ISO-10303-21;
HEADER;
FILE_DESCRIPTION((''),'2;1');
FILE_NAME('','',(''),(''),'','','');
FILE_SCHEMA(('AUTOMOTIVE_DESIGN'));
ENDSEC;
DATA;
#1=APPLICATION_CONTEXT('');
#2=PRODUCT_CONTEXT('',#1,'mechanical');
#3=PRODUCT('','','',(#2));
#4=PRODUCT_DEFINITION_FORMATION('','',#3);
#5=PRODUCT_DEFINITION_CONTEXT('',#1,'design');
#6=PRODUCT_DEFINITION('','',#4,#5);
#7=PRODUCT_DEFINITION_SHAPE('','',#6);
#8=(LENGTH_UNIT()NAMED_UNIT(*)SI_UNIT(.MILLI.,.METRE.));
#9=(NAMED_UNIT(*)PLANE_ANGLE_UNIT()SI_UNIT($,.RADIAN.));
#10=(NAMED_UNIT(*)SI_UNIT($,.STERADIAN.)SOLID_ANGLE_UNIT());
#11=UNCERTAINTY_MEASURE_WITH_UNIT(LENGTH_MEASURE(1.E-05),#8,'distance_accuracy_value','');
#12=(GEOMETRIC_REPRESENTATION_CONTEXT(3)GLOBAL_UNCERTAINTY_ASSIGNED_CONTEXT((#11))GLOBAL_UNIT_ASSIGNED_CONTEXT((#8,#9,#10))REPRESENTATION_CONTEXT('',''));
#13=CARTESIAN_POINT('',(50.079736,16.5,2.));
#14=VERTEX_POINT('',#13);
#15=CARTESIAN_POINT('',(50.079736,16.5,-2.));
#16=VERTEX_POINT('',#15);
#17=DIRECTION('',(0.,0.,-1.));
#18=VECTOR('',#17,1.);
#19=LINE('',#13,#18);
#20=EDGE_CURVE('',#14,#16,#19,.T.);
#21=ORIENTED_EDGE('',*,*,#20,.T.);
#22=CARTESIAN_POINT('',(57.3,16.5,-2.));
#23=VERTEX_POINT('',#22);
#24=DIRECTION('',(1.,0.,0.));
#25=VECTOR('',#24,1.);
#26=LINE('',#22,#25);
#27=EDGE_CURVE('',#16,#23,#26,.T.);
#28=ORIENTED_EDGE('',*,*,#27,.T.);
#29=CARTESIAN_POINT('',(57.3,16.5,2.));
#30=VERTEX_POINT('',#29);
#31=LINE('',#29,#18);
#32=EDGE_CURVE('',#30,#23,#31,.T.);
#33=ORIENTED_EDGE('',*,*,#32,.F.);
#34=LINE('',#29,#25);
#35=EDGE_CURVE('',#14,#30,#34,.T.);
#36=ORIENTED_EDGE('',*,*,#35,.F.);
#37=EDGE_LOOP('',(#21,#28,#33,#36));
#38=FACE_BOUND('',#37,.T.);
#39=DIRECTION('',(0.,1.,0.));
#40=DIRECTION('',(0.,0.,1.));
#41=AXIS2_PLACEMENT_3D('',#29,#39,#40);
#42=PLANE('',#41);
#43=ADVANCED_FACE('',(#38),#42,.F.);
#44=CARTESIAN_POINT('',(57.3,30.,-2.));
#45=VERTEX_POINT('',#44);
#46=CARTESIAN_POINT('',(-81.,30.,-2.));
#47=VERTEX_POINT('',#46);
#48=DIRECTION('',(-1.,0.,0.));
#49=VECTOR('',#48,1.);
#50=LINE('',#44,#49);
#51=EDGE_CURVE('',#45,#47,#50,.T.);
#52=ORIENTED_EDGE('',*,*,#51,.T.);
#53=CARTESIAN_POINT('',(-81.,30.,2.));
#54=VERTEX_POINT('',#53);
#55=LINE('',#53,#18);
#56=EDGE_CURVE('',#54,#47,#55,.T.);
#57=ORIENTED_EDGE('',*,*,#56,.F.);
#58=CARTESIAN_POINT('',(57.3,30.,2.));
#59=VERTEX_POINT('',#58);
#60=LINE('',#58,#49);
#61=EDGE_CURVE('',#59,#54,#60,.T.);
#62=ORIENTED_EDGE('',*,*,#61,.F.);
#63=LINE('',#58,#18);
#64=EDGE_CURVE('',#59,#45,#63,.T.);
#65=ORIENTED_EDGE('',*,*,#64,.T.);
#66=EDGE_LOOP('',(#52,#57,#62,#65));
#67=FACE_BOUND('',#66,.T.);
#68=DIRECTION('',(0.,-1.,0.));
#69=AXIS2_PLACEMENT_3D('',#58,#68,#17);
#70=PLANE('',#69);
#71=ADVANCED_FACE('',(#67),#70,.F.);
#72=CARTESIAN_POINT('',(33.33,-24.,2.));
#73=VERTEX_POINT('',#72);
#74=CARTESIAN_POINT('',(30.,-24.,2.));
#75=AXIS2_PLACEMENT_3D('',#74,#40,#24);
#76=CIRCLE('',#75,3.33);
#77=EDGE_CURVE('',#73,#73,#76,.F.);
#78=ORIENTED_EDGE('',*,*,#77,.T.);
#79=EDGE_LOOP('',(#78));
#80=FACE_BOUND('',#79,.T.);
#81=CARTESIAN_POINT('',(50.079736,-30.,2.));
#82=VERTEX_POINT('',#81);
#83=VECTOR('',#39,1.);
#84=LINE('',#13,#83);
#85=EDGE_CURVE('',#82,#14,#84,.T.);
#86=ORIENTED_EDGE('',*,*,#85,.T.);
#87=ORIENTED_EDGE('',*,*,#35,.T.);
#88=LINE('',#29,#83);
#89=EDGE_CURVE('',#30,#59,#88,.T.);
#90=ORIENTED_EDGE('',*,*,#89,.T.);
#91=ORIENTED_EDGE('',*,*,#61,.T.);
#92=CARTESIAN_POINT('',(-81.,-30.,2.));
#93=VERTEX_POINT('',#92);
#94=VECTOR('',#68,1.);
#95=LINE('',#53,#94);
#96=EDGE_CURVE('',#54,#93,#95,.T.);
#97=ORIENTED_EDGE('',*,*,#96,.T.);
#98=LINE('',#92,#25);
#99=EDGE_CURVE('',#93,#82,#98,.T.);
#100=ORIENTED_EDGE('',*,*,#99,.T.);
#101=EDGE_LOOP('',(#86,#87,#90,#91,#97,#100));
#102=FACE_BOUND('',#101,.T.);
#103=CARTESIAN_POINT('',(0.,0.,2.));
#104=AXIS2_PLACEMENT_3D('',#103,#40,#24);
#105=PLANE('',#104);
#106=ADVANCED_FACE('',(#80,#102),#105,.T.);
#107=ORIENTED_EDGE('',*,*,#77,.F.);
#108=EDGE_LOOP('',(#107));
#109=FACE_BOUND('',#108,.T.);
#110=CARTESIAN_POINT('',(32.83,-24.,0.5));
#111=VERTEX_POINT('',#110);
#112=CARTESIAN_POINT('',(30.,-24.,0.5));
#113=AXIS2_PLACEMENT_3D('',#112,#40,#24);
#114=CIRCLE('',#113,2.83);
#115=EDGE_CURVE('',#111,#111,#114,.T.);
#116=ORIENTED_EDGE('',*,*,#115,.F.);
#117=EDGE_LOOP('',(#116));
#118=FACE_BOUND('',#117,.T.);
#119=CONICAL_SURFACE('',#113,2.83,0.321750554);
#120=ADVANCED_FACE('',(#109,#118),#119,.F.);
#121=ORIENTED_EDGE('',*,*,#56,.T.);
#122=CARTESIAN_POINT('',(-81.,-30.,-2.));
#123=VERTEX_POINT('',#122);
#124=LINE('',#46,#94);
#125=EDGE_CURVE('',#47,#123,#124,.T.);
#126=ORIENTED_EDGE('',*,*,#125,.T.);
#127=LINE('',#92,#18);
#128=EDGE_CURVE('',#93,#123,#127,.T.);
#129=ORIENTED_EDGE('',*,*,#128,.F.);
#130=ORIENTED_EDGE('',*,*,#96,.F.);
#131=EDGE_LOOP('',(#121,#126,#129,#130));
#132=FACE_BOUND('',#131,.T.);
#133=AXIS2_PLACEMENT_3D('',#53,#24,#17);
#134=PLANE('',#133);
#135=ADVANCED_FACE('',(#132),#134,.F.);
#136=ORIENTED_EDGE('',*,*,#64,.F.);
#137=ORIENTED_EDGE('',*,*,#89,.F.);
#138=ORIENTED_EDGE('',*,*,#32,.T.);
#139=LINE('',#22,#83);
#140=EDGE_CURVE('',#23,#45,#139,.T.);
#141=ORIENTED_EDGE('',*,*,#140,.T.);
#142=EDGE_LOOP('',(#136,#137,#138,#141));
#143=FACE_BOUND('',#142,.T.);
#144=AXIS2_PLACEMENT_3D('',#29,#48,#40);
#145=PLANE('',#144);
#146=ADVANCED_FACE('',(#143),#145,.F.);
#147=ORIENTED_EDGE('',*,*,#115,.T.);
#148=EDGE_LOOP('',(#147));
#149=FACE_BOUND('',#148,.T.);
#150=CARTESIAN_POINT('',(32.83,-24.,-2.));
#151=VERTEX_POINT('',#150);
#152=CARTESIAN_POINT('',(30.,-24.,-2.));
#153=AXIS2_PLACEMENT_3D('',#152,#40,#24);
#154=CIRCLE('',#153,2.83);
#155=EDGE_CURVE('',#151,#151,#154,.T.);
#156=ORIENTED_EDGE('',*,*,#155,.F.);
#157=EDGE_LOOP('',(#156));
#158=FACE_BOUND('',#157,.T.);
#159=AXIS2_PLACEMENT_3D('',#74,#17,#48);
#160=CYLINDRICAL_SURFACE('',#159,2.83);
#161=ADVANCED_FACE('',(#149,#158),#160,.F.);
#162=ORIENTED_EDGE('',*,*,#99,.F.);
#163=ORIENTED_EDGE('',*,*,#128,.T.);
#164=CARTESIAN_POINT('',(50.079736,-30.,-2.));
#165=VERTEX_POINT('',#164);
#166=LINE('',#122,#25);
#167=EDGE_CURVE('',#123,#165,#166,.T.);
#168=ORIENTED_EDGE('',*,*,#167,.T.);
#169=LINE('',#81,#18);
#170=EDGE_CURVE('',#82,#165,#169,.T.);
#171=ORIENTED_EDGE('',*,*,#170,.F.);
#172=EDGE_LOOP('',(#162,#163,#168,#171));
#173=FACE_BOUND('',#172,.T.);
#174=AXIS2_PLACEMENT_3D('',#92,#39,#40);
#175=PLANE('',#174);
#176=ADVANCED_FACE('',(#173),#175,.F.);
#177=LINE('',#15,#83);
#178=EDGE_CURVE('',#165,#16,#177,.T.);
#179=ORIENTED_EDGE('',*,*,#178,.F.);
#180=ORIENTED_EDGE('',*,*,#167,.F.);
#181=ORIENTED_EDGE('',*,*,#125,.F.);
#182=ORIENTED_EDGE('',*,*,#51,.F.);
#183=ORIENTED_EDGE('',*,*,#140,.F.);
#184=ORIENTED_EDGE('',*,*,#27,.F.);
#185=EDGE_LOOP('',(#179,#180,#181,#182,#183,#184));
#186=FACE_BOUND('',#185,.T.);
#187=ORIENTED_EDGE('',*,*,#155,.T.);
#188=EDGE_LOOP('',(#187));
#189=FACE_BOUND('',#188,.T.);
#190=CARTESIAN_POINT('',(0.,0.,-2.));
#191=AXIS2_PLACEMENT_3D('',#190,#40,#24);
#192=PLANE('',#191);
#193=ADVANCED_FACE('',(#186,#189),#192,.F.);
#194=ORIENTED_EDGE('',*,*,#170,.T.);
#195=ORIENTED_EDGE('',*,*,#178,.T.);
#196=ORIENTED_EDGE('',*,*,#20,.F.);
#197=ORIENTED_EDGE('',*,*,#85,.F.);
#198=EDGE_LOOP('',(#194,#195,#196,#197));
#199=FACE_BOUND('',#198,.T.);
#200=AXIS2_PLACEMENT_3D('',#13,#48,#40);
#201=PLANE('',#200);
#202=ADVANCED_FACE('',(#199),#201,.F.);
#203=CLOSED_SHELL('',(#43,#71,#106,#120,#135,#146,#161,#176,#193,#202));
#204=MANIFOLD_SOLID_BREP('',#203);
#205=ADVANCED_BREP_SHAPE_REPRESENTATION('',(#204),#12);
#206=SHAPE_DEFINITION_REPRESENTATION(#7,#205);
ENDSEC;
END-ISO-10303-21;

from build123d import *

# Parameters (mm, degrees)
SKETCH1_R           = 2.83
BOSS_EXTRUDE1_DEPTH = 2
CHAMFER1_SIZE       = 0.5
CHAMFER1_SIZE2      = 1.5


with BuildPart() as part:
    # Sketch1 → Boss-Extrude1 (new, symmetric)
    with BuildSketch(Plane.XY):
        Polygon((-81, -30), (50.07973639, -30), (50.07973639, 16.5), (57.3, 16.5), (57.3, 30), (-81, 30), align=None)
        with Locations((30, -24)):
            Circle(SKETCH1_R, mode=Mode.SUBTRACT)
    extrude(amount=BOSS_EXTRUDE1_DEPTH, both=True)

    # Chamfer1
    chamfer1_edges = [part.edges().sort_by_distance(p)[0] for p in [
        (27.17, -24, 2),
    ]]
    chamfer1_side = [part.faces().sort_by_distance(p)[0] for p in [
        (-14.755026682, 0.36160791, 2),
    ]]
    chamfer(chamfer1_edges, length=CHAMFER1_SIZE, length2=CHAMFER1_SIZE2, reference=chamfer1_side[0])


solid = part.part
